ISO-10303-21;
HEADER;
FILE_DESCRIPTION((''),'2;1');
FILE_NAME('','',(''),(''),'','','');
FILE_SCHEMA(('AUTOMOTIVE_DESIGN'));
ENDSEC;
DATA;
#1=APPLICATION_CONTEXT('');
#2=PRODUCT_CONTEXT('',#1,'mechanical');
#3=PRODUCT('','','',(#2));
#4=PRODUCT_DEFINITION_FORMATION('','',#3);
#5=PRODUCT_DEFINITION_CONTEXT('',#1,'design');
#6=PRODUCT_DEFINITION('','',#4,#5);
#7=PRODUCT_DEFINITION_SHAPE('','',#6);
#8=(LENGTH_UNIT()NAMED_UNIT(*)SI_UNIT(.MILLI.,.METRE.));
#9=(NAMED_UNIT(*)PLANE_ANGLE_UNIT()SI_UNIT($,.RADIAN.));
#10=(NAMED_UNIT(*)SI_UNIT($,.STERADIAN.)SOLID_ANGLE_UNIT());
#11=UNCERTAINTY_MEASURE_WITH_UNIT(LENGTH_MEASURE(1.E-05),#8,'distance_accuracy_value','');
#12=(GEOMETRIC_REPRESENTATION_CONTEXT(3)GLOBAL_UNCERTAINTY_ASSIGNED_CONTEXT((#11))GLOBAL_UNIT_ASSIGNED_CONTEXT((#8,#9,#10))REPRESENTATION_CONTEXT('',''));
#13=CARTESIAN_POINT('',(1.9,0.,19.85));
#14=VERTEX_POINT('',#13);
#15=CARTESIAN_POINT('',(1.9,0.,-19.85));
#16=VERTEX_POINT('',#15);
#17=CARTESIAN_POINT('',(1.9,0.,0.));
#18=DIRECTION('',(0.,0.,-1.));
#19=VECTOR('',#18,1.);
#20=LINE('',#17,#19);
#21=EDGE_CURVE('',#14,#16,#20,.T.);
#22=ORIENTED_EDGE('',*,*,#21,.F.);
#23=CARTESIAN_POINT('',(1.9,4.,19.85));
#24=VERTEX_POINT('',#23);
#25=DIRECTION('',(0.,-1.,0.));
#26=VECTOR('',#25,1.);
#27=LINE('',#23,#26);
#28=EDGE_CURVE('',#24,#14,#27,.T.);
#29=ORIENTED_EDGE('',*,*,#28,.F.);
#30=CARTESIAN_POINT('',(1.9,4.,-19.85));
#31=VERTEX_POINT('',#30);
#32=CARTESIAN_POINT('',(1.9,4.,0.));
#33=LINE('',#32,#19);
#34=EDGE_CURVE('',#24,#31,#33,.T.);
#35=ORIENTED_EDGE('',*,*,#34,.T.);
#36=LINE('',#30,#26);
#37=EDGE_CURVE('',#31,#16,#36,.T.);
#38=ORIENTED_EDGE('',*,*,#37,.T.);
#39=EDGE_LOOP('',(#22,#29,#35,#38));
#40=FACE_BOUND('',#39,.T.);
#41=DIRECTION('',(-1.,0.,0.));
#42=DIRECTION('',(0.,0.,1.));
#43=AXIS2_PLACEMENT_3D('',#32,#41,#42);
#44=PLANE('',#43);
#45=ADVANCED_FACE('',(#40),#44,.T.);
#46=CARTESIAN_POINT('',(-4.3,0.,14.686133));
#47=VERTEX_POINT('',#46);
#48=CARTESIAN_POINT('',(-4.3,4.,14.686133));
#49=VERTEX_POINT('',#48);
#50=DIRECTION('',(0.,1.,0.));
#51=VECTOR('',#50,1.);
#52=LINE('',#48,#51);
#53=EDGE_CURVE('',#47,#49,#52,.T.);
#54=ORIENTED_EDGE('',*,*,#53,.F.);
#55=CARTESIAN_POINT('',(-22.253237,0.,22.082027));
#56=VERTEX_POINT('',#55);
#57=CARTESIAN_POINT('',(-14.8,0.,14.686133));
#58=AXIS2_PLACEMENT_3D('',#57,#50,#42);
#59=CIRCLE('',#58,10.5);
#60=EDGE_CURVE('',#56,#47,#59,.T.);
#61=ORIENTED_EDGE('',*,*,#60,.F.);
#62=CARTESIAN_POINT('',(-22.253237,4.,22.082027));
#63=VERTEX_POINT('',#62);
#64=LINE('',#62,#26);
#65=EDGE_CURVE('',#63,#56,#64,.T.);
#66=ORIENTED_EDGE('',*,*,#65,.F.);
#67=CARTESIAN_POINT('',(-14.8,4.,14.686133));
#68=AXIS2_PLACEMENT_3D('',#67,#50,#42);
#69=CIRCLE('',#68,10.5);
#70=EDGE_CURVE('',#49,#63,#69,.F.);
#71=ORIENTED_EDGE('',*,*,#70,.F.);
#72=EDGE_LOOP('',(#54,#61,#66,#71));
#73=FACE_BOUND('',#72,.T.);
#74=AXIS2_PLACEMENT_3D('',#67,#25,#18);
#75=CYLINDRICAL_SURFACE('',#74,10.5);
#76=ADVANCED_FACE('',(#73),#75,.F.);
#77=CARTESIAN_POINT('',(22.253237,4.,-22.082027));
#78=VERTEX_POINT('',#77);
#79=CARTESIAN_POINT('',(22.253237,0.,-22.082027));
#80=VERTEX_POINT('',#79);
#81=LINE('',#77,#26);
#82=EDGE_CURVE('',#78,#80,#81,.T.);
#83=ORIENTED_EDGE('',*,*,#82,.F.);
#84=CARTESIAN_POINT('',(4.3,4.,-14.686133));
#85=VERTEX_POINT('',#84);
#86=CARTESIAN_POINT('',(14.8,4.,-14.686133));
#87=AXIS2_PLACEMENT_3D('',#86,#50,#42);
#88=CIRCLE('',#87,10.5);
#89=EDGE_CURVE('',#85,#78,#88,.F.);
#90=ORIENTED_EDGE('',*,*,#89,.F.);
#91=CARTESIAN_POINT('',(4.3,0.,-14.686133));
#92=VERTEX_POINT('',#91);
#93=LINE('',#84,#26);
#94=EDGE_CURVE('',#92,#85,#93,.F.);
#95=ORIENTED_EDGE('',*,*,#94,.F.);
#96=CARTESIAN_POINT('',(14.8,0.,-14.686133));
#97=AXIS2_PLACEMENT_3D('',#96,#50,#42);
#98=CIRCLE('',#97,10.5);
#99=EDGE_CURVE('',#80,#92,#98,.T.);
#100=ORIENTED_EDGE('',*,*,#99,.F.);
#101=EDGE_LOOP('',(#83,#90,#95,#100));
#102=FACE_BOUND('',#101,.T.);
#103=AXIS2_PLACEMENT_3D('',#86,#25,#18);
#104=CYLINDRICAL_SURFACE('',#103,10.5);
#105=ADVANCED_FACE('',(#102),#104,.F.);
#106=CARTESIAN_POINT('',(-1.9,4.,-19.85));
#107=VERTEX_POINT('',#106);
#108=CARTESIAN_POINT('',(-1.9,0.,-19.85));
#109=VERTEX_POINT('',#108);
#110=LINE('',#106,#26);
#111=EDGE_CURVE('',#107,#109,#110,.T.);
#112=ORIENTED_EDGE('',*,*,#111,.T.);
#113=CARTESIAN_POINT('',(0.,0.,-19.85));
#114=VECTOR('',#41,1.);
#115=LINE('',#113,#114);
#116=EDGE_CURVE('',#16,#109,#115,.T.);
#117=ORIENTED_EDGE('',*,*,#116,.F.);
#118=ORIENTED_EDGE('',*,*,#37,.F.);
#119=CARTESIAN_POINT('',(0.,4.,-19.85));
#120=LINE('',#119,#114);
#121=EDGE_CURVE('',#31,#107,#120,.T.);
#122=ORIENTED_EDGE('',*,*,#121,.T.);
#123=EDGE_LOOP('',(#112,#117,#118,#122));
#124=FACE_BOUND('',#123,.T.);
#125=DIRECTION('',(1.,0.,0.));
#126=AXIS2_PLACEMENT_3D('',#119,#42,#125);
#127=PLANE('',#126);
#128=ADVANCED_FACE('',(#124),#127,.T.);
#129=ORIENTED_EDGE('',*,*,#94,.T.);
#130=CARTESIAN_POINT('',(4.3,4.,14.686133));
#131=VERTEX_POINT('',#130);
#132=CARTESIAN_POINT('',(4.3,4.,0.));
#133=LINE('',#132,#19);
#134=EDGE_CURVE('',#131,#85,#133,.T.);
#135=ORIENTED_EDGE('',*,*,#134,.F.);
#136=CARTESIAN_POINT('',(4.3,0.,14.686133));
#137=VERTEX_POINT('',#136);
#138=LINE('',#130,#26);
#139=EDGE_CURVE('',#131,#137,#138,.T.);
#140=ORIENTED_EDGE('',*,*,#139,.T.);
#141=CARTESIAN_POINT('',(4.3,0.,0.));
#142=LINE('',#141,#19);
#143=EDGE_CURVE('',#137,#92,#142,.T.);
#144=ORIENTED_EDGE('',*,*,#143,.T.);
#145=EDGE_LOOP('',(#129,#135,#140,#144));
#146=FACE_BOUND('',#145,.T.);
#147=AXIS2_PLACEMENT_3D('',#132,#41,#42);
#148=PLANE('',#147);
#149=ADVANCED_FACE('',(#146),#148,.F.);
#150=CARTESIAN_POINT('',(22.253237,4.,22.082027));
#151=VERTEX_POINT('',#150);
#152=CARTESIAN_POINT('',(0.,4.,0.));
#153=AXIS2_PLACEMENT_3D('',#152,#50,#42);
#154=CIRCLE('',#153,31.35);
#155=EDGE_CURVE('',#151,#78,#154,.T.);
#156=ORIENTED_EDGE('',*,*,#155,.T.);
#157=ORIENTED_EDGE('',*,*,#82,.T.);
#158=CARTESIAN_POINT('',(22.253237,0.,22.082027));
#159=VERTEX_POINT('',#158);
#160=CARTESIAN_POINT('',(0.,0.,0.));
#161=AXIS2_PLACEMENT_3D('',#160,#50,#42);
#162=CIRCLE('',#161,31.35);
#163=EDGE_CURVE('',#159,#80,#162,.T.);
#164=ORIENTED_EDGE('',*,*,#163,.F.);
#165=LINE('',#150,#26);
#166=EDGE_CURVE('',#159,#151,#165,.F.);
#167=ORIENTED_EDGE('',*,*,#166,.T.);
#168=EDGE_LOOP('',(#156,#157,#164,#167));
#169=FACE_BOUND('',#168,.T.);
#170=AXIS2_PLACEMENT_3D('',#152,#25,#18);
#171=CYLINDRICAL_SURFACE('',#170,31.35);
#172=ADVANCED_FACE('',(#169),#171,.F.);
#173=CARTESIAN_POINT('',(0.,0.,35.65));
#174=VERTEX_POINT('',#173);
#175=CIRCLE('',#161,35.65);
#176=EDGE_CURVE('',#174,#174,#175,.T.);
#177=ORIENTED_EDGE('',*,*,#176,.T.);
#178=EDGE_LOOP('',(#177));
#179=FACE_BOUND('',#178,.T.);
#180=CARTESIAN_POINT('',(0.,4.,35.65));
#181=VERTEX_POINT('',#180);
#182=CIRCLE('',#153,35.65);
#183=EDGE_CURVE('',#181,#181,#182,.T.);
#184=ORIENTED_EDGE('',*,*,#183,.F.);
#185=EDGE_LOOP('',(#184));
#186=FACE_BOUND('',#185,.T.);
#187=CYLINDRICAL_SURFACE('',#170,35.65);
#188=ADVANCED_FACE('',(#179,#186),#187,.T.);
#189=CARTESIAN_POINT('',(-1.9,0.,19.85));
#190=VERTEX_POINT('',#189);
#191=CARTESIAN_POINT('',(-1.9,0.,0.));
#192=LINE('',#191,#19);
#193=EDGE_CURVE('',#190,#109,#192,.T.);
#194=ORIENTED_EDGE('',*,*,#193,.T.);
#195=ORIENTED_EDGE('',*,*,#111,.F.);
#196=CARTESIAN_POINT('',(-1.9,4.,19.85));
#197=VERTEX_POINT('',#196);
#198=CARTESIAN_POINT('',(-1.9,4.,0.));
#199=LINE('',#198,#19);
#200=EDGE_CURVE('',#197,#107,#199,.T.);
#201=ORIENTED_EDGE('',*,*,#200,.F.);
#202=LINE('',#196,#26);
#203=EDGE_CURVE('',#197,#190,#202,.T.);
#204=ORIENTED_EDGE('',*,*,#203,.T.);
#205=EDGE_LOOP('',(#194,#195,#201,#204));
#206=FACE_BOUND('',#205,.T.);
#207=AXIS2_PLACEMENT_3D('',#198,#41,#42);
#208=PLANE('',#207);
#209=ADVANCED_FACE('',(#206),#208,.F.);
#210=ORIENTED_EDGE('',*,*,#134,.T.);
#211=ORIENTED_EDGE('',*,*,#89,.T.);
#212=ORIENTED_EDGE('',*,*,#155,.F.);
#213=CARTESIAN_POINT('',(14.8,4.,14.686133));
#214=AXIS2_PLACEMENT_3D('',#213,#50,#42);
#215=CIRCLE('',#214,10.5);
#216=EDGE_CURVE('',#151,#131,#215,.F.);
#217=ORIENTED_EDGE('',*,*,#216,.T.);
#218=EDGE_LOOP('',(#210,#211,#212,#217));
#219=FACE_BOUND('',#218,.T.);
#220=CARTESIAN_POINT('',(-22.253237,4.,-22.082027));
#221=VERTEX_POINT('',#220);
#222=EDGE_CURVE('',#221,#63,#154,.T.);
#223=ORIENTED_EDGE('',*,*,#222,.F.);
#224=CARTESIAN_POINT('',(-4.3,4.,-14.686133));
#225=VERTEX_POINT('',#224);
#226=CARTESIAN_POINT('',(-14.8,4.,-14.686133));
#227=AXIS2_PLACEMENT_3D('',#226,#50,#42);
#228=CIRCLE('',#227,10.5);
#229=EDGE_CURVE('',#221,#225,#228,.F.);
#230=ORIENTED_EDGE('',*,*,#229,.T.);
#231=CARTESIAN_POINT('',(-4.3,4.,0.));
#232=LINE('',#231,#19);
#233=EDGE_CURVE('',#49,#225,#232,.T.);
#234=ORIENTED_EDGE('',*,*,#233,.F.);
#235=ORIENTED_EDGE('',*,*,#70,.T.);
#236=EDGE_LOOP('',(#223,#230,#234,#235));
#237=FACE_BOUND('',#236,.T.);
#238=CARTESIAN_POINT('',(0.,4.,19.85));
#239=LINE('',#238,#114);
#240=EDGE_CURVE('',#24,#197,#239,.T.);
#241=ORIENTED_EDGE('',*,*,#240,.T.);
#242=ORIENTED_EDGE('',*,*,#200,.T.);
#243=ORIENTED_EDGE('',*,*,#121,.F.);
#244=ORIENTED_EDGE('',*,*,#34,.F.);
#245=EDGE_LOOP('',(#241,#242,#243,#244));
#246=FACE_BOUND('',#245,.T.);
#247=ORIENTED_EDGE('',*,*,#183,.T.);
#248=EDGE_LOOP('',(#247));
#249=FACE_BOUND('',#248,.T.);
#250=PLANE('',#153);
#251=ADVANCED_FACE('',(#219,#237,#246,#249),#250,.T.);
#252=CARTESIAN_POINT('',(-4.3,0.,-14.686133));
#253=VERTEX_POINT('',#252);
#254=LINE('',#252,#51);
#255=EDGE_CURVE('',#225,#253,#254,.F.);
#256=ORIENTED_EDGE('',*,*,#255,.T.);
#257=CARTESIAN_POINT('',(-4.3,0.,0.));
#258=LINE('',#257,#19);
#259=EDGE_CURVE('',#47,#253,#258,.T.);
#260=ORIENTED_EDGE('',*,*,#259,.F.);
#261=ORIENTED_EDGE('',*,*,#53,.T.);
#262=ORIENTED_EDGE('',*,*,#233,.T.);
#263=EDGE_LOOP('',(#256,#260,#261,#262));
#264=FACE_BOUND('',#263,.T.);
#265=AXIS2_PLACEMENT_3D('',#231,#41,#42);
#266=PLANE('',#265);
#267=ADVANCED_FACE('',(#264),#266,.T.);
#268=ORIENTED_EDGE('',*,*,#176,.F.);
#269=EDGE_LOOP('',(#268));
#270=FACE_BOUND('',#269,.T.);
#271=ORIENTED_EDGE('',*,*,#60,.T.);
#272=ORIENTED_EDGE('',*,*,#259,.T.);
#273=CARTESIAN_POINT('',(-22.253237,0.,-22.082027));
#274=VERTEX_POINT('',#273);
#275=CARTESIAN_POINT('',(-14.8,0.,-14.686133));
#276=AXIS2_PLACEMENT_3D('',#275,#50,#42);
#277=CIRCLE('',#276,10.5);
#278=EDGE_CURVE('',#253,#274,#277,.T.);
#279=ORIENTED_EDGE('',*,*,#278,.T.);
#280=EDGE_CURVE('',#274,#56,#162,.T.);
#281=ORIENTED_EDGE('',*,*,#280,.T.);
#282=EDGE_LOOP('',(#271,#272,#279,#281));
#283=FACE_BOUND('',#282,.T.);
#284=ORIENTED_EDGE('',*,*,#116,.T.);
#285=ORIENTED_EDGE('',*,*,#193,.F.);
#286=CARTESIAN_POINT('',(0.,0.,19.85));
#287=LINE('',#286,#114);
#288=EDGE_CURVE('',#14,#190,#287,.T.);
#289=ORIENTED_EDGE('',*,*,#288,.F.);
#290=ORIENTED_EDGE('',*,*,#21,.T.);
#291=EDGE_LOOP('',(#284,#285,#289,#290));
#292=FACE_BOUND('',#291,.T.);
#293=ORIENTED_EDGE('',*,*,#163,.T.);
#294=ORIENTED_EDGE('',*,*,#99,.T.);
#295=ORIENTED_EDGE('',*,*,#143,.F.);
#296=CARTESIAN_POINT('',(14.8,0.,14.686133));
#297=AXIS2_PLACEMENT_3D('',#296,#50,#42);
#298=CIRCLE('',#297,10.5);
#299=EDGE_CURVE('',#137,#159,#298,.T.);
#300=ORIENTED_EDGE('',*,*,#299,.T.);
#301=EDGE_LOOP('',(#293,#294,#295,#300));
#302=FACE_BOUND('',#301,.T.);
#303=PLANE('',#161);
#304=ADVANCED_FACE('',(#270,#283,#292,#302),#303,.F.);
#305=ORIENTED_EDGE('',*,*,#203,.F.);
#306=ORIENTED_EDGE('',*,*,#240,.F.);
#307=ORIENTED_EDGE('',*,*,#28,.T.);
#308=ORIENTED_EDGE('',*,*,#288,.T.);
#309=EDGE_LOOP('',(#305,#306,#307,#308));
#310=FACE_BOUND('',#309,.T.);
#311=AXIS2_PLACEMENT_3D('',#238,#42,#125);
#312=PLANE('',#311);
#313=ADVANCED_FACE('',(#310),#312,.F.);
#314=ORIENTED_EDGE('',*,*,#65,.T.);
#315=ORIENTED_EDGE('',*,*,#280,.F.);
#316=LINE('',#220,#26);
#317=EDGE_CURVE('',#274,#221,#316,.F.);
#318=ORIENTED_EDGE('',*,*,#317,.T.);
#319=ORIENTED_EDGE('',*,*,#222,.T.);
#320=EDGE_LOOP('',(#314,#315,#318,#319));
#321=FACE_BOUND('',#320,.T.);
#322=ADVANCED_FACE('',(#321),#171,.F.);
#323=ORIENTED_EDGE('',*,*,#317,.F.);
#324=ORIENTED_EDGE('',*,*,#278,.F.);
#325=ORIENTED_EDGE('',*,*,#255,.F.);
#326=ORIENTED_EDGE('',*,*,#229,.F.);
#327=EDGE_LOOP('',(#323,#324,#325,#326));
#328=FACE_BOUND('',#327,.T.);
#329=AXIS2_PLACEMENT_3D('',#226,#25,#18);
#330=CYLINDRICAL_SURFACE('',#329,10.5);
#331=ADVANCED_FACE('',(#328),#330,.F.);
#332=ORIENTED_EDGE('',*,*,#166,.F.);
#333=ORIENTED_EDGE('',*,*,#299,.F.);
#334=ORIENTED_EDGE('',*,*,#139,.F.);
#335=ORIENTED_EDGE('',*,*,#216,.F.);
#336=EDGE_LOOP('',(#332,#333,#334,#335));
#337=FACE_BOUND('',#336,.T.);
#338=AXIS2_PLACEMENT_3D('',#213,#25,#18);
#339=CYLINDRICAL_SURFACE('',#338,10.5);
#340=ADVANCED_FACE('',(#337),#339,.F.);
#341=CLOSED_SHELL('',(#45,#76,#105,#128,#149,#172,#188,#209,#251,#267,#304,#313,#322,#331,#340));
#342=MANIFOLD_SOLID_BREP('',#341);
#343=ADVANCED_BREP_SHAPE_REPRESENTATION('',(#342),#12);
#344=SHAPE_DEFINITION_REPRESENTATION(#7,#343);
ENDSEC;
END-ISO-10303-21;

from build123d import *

# Parameters (mm, degrees)
SKETCH1_R           = 35.65
SKETCH1_W           = 3.8
SKETCH1_H           = 39.7
BOSS_EXTRUDE1_DEPTH = 4
FILLET1_R           = 10.5


with BuildPart() as part:
    # Sketch1 → Boss-Extrude1 (new body)
    with BuildSketch(Plane(origin=(0, 0, 0), x_dir=(1, 0, 0), z_dir=(0, 1, 0))):
        with Locations(Location((0, 0, 0), (0, 0, 270))):
            Circle(SKETCH1_R)
        with BuildLine():
            Line((4.3, -31.053703483), (4.3, 31.053703483))
            ThreePointArc((4.3, 31.053703483), (31.35, 0), (4.3, -31.053703483))
        make_face(mode=Mode.SUBTRACT)
        with BuildLine():
            Line((-4.3, -31.053703483), (-4.3, 31.053703483))
            ThreePointArc((-4.3, 31.053703483), (-31.35, 0), (-4.3, -31.053703483))
        make_face(mode=Mode.SUBTRACT)
        Rectangle(SKETCH1_W, SKETCH1_H, mode=Mode.SUBTRACT)
    extrude(amount=BOSS_EXTRUDE1_DEPTH)

    # Fillet1
    fillet1_edges = [part.edges().sort_by_distance(p)[0] for p in [
        (4.3, 2, -31.053703483),
        (4.3, 2, 31.053703483),
        (-4.3, 2, 31.053703483),
        (-4.3, 2, -31.053703483),
    ]]
    fillet(fillet1_edges, radius=FILLET1_R)


solid = part.part
